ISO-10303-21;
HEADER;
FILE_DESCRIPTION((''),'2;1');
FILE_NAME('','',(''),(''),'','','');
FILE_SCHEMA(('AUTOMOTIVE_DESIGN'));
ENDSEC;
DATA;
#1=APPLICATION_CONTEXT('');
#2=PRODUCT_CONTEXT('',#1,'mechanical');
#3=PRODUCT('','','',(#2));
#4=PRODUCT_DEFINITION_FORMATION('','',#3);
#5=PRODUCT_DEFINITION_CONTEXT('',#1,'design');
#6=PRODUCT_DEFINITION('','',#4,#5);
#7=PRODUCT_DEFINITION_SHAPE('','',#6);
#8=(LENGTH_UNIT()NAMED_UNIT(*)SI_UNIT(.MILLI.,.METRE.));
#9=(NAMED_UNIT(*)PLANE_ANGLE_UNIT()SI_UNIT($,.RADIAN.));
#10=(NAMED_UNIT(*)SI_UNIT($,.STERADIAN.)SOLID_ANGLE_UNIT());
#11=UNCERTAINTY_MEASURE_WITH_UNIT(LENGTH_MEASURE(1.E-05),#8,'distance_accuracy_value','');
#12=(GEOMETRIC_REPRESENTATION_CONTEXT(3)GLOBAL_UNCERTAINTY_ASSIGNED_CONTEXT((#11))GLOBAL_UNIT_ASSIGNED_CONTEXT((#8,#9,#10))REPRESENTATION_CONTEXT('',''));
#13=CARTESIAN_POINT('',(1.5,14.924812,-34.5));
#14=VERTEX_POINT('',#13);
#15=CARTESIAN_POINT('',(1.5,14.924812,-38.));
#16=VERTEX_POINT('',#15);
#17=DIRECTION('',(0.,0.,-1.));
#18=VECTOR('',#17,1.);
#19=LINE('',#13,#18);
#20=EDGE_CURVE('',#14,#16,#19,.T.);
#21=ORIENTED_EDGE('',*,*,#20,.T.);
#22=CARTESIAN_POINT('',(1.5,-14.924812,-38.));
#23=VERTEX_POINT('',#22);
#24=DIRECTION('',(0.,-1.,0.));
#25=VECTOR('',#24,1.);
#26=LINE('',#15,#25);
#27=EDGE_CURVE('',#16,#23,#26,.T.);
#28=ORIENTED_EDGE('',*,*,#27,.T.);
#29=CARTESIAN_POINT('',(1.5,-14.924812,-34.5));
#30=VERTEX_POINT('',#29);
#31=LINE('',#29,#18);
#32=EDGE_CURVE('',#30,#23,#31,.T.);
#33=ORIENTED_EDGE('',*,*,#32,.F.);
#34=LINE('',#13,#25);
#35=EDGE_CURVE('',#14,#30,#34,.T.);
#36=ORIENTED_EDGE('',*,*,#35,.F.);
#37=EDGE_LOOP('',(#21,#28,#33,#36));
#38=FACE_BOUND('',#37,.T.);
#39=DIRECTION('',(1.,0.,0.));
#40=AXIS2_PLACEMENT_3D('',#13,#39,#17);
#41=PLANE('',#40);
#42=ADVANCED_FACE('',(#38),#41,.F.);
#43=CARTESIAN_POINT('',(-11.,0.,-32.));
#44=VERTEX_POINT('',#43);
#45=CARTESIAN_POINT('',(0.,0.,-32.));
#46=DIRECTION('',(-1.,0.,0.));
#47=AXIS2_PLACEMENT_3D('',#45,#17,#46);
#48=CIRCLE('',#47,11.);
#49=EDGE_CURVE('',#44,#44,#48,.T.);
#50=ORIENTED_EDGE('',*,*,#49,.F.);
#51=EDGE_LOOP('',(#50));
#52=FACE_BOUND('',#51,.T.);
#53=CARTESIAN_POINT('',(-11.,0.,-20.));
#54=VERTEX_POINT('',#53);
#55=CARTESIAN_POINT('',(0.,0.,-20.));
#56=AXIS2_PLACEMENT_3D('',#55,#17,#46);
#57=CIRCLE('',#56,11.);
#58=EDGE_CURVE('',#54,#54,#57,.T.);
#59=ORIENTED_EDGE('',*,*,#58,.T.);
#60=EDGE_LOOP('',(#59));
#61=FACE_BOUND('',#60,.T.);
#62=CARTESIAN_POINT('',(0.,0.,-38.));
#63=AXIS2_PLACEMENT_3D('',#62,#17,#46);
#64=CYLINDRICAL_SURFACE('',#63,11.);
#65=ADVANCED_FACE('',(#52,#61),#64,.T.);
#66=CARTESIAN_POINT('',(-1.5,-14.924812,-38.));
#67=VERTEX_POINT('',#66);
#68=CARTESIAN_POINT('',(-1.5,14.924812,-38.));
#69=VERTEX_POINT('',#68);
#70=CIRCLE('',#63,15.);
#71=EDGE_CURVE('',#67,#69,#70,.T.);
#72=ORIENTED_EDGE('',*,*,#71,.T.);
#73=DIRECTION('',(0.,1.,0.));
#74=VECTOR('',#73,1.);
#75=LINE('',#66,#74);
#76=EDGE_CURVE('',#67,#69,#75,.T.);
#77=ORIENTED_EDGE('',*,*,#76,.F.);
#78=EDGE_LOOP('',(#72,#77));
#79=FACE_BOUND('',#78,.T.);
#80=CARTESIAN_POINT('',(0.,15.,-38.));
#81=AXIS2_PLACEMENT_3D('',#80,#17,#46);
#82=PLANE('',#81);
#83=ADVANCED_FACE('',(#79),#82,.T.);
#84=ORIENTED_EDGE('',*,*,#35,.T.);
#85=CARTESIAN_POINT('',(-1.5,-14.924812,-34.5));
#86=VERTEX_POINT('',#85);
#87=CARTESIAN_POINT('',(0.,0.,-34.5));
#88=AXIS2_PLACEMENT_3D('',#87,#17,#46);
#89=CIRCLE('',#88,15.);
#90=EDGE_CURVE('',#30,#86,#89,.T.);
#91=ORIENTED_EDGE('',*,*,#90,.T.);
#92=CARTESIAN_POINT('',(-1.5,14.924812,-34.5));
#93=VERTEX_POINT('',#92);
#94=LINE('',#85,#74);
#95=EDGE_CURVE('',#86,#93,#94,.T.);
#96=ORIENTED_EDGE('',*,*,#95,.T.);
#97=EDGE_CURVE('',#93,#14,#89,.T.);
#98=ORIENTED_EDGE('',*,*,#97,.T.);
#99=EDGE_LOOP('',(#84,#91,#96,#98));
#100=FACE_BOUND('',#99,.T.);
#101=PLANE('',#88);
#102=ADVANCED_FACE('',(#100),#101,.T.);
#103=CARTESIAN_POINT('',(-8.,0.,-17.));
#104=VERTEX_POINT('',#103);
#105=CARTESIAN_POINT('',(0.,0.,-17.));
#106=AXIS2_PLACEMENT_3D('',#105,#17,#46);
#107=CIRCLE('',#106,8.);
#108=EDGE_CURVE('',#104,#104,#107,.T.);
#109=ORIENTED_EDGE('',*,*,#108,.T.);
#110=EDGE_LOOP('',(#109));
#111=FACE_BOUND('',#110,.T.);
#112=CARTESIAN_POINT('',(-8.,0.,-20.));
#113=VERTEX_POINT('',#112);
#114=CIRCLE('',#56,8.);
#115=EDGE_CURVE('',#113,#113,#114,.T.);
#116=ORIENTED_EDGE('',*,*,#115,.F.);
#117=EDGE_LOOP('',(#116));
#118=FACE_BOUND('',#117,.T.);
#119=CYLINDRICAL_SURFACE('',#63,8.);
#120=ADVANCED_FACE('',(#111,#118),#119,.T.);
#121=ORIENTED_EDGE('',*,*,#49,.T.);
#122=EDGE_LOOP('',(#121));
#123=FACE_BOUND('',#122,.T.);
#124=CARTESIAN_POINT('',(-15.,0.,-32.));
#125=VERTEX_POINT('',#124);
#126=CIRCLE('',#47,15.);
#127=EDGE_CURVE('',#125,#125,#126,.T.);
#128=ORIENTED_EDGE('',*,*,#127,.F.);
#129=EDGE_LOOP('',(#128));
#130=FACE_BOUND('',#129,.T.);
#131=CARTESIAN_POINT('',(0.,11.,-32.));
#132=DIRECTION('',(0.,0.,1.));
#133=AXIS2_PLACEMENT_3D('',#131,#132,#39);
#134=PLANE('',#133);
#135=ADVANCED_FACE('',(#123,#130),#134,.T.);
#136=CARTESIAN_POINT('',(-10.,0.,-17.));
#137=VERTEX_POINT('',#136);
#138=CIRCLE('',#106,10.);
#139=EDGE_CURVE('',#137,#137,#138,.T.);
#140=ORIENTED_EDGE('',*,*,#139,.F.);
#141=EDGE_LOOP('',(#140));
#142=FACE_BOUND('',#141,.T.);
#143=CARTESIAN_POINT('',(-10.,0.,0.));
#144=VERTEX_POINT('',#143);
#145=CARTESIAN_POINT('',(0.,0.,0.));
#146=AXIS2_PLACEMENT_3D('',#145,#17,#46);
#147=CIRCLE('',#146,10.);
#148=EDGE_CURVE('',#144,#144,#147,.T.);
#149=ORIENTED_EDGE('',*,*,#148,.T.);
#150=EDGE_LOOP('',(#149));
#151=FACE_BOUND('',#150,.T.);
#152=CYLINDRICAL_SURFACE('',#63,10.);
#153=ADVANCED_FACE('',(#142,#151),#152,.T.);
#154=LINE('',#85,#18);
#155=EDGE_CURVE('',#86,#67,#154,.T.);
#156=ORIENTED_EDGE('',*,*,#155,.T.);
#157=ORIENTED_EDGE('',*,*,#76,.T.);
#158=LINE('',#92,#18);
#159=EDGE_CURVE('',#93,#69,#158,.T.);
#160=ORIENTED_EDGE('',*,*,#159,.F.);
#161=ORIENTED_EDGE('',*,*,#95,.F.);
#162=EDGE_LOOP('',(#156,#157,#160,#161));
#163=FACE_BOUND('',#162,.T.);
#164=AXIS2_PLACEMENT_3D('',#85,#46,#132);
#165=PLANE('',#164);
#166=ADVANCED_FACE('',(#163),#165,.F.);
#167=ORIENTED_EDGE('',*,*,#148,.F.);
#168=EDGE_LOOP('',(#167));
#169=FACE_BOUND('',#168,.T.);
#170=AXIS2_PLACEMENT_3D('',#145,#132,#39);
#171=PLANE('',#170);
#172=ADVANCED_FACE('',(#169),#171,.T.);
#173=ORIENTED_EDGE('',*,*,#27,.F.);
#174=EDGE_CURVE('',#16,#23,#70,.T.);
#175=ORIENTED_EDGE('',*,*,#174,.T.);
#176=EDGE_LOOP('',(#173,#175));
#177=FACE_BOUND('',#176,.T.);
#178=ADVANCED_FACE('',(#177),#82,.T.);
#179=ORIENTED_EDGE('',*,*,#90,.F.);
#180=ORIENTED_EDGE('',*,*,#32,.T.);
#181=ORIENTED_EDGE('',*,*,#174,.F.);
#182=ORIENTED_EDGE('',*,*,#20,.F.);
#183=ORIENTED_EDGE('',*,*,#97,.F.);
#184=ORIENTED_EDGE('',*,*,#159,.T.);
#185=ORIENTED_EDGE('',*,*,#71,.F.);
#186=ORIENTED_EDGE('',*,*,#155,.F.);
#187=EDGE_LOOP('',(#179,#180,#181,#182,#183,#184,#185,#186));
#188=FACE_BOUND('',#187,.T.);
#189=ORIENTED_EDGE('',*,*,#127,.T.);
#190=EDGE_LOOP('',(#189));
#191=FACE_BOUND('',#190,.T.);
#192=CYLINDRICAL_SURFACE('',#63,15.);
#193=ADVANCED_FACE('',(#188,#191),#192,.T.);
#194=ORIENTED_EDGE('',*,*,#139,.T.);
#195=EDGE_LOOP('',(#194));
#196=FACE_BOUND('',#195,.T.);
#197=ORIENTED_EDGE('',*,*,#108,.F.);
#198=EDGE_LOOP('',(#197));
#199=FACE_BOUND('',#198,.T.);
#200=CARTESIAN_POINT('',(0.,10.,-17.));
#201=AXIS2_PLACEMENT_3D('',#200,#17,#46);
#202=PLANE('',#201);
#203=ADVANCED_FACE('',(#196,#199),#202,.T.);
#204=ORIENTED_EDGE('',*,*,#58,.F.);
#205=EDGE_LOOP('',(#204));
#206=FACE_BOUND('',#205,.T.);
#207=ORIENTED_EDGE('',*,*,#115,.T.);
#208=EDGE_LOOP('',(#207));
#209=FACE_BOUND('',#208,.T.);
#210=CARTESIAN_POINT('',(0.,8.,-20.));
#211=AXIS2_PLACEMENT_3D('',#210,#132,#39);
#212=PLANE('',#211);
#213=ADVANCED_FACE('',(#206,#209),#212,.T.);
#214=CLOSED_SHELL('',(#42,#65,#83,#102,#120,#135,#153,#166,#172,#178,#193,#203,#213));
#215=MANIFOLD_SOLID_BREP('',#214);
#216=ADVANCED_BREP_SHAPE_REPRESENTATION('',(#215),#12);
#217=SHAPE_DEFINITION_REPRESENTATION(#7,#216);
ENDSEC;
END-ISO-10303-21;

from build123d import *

# Parameters (mm, degrees)
CUT_EXTRUDE1_DEPTH = 3.5


with BuildPart() as part:
    # Sketch1 → Revolve1 (revolve)
    with BuildSketch(Plane(origin=(0, 0, 0), x_dir=(0, 0, -1), z_dir=(1, 0, 0)), mode=Mode.PRIVATE) as revolve1_sk:
        Polygon((0, 0), (0, 10), (17, 10), (17, 8), (20, 8), (20, 11), (32, 11), (32, 15), (38, 15), (38, 0), align=None)
    revolve(revolve1_sk.sketch.rotate(Axis((0, 0, -38), (0, 0, 1)), 90), axis=Axis((0, 0, -38), (0, 0, 1)))

    # Sketch2 → Cut-Extrude1 (cut)
    with BuildSketch(Plane(origin=(0, 0, -38), x_dir=(-1, 0, 0), z_dir=(0, 0, -1))):
        with BuildLine():
            Line((-1.5, 14.924811557), (-1.5, -14.924811557))
            ThreePointArc((-1.5, -14.924811557), (0, -15), (1.5, -14.924811557))
            Line((1.5, -14.924811557), (1.5, 14.924811557))
            ThreePointArc((1.5, 14.924811557), (0, 15), (-1.5, 14.924811557))
        make_face()
    extrude(amount=-CUT_EXTRUDE1_DEPTH, mode=Mode.SUBTRACT)


solid = part.part
